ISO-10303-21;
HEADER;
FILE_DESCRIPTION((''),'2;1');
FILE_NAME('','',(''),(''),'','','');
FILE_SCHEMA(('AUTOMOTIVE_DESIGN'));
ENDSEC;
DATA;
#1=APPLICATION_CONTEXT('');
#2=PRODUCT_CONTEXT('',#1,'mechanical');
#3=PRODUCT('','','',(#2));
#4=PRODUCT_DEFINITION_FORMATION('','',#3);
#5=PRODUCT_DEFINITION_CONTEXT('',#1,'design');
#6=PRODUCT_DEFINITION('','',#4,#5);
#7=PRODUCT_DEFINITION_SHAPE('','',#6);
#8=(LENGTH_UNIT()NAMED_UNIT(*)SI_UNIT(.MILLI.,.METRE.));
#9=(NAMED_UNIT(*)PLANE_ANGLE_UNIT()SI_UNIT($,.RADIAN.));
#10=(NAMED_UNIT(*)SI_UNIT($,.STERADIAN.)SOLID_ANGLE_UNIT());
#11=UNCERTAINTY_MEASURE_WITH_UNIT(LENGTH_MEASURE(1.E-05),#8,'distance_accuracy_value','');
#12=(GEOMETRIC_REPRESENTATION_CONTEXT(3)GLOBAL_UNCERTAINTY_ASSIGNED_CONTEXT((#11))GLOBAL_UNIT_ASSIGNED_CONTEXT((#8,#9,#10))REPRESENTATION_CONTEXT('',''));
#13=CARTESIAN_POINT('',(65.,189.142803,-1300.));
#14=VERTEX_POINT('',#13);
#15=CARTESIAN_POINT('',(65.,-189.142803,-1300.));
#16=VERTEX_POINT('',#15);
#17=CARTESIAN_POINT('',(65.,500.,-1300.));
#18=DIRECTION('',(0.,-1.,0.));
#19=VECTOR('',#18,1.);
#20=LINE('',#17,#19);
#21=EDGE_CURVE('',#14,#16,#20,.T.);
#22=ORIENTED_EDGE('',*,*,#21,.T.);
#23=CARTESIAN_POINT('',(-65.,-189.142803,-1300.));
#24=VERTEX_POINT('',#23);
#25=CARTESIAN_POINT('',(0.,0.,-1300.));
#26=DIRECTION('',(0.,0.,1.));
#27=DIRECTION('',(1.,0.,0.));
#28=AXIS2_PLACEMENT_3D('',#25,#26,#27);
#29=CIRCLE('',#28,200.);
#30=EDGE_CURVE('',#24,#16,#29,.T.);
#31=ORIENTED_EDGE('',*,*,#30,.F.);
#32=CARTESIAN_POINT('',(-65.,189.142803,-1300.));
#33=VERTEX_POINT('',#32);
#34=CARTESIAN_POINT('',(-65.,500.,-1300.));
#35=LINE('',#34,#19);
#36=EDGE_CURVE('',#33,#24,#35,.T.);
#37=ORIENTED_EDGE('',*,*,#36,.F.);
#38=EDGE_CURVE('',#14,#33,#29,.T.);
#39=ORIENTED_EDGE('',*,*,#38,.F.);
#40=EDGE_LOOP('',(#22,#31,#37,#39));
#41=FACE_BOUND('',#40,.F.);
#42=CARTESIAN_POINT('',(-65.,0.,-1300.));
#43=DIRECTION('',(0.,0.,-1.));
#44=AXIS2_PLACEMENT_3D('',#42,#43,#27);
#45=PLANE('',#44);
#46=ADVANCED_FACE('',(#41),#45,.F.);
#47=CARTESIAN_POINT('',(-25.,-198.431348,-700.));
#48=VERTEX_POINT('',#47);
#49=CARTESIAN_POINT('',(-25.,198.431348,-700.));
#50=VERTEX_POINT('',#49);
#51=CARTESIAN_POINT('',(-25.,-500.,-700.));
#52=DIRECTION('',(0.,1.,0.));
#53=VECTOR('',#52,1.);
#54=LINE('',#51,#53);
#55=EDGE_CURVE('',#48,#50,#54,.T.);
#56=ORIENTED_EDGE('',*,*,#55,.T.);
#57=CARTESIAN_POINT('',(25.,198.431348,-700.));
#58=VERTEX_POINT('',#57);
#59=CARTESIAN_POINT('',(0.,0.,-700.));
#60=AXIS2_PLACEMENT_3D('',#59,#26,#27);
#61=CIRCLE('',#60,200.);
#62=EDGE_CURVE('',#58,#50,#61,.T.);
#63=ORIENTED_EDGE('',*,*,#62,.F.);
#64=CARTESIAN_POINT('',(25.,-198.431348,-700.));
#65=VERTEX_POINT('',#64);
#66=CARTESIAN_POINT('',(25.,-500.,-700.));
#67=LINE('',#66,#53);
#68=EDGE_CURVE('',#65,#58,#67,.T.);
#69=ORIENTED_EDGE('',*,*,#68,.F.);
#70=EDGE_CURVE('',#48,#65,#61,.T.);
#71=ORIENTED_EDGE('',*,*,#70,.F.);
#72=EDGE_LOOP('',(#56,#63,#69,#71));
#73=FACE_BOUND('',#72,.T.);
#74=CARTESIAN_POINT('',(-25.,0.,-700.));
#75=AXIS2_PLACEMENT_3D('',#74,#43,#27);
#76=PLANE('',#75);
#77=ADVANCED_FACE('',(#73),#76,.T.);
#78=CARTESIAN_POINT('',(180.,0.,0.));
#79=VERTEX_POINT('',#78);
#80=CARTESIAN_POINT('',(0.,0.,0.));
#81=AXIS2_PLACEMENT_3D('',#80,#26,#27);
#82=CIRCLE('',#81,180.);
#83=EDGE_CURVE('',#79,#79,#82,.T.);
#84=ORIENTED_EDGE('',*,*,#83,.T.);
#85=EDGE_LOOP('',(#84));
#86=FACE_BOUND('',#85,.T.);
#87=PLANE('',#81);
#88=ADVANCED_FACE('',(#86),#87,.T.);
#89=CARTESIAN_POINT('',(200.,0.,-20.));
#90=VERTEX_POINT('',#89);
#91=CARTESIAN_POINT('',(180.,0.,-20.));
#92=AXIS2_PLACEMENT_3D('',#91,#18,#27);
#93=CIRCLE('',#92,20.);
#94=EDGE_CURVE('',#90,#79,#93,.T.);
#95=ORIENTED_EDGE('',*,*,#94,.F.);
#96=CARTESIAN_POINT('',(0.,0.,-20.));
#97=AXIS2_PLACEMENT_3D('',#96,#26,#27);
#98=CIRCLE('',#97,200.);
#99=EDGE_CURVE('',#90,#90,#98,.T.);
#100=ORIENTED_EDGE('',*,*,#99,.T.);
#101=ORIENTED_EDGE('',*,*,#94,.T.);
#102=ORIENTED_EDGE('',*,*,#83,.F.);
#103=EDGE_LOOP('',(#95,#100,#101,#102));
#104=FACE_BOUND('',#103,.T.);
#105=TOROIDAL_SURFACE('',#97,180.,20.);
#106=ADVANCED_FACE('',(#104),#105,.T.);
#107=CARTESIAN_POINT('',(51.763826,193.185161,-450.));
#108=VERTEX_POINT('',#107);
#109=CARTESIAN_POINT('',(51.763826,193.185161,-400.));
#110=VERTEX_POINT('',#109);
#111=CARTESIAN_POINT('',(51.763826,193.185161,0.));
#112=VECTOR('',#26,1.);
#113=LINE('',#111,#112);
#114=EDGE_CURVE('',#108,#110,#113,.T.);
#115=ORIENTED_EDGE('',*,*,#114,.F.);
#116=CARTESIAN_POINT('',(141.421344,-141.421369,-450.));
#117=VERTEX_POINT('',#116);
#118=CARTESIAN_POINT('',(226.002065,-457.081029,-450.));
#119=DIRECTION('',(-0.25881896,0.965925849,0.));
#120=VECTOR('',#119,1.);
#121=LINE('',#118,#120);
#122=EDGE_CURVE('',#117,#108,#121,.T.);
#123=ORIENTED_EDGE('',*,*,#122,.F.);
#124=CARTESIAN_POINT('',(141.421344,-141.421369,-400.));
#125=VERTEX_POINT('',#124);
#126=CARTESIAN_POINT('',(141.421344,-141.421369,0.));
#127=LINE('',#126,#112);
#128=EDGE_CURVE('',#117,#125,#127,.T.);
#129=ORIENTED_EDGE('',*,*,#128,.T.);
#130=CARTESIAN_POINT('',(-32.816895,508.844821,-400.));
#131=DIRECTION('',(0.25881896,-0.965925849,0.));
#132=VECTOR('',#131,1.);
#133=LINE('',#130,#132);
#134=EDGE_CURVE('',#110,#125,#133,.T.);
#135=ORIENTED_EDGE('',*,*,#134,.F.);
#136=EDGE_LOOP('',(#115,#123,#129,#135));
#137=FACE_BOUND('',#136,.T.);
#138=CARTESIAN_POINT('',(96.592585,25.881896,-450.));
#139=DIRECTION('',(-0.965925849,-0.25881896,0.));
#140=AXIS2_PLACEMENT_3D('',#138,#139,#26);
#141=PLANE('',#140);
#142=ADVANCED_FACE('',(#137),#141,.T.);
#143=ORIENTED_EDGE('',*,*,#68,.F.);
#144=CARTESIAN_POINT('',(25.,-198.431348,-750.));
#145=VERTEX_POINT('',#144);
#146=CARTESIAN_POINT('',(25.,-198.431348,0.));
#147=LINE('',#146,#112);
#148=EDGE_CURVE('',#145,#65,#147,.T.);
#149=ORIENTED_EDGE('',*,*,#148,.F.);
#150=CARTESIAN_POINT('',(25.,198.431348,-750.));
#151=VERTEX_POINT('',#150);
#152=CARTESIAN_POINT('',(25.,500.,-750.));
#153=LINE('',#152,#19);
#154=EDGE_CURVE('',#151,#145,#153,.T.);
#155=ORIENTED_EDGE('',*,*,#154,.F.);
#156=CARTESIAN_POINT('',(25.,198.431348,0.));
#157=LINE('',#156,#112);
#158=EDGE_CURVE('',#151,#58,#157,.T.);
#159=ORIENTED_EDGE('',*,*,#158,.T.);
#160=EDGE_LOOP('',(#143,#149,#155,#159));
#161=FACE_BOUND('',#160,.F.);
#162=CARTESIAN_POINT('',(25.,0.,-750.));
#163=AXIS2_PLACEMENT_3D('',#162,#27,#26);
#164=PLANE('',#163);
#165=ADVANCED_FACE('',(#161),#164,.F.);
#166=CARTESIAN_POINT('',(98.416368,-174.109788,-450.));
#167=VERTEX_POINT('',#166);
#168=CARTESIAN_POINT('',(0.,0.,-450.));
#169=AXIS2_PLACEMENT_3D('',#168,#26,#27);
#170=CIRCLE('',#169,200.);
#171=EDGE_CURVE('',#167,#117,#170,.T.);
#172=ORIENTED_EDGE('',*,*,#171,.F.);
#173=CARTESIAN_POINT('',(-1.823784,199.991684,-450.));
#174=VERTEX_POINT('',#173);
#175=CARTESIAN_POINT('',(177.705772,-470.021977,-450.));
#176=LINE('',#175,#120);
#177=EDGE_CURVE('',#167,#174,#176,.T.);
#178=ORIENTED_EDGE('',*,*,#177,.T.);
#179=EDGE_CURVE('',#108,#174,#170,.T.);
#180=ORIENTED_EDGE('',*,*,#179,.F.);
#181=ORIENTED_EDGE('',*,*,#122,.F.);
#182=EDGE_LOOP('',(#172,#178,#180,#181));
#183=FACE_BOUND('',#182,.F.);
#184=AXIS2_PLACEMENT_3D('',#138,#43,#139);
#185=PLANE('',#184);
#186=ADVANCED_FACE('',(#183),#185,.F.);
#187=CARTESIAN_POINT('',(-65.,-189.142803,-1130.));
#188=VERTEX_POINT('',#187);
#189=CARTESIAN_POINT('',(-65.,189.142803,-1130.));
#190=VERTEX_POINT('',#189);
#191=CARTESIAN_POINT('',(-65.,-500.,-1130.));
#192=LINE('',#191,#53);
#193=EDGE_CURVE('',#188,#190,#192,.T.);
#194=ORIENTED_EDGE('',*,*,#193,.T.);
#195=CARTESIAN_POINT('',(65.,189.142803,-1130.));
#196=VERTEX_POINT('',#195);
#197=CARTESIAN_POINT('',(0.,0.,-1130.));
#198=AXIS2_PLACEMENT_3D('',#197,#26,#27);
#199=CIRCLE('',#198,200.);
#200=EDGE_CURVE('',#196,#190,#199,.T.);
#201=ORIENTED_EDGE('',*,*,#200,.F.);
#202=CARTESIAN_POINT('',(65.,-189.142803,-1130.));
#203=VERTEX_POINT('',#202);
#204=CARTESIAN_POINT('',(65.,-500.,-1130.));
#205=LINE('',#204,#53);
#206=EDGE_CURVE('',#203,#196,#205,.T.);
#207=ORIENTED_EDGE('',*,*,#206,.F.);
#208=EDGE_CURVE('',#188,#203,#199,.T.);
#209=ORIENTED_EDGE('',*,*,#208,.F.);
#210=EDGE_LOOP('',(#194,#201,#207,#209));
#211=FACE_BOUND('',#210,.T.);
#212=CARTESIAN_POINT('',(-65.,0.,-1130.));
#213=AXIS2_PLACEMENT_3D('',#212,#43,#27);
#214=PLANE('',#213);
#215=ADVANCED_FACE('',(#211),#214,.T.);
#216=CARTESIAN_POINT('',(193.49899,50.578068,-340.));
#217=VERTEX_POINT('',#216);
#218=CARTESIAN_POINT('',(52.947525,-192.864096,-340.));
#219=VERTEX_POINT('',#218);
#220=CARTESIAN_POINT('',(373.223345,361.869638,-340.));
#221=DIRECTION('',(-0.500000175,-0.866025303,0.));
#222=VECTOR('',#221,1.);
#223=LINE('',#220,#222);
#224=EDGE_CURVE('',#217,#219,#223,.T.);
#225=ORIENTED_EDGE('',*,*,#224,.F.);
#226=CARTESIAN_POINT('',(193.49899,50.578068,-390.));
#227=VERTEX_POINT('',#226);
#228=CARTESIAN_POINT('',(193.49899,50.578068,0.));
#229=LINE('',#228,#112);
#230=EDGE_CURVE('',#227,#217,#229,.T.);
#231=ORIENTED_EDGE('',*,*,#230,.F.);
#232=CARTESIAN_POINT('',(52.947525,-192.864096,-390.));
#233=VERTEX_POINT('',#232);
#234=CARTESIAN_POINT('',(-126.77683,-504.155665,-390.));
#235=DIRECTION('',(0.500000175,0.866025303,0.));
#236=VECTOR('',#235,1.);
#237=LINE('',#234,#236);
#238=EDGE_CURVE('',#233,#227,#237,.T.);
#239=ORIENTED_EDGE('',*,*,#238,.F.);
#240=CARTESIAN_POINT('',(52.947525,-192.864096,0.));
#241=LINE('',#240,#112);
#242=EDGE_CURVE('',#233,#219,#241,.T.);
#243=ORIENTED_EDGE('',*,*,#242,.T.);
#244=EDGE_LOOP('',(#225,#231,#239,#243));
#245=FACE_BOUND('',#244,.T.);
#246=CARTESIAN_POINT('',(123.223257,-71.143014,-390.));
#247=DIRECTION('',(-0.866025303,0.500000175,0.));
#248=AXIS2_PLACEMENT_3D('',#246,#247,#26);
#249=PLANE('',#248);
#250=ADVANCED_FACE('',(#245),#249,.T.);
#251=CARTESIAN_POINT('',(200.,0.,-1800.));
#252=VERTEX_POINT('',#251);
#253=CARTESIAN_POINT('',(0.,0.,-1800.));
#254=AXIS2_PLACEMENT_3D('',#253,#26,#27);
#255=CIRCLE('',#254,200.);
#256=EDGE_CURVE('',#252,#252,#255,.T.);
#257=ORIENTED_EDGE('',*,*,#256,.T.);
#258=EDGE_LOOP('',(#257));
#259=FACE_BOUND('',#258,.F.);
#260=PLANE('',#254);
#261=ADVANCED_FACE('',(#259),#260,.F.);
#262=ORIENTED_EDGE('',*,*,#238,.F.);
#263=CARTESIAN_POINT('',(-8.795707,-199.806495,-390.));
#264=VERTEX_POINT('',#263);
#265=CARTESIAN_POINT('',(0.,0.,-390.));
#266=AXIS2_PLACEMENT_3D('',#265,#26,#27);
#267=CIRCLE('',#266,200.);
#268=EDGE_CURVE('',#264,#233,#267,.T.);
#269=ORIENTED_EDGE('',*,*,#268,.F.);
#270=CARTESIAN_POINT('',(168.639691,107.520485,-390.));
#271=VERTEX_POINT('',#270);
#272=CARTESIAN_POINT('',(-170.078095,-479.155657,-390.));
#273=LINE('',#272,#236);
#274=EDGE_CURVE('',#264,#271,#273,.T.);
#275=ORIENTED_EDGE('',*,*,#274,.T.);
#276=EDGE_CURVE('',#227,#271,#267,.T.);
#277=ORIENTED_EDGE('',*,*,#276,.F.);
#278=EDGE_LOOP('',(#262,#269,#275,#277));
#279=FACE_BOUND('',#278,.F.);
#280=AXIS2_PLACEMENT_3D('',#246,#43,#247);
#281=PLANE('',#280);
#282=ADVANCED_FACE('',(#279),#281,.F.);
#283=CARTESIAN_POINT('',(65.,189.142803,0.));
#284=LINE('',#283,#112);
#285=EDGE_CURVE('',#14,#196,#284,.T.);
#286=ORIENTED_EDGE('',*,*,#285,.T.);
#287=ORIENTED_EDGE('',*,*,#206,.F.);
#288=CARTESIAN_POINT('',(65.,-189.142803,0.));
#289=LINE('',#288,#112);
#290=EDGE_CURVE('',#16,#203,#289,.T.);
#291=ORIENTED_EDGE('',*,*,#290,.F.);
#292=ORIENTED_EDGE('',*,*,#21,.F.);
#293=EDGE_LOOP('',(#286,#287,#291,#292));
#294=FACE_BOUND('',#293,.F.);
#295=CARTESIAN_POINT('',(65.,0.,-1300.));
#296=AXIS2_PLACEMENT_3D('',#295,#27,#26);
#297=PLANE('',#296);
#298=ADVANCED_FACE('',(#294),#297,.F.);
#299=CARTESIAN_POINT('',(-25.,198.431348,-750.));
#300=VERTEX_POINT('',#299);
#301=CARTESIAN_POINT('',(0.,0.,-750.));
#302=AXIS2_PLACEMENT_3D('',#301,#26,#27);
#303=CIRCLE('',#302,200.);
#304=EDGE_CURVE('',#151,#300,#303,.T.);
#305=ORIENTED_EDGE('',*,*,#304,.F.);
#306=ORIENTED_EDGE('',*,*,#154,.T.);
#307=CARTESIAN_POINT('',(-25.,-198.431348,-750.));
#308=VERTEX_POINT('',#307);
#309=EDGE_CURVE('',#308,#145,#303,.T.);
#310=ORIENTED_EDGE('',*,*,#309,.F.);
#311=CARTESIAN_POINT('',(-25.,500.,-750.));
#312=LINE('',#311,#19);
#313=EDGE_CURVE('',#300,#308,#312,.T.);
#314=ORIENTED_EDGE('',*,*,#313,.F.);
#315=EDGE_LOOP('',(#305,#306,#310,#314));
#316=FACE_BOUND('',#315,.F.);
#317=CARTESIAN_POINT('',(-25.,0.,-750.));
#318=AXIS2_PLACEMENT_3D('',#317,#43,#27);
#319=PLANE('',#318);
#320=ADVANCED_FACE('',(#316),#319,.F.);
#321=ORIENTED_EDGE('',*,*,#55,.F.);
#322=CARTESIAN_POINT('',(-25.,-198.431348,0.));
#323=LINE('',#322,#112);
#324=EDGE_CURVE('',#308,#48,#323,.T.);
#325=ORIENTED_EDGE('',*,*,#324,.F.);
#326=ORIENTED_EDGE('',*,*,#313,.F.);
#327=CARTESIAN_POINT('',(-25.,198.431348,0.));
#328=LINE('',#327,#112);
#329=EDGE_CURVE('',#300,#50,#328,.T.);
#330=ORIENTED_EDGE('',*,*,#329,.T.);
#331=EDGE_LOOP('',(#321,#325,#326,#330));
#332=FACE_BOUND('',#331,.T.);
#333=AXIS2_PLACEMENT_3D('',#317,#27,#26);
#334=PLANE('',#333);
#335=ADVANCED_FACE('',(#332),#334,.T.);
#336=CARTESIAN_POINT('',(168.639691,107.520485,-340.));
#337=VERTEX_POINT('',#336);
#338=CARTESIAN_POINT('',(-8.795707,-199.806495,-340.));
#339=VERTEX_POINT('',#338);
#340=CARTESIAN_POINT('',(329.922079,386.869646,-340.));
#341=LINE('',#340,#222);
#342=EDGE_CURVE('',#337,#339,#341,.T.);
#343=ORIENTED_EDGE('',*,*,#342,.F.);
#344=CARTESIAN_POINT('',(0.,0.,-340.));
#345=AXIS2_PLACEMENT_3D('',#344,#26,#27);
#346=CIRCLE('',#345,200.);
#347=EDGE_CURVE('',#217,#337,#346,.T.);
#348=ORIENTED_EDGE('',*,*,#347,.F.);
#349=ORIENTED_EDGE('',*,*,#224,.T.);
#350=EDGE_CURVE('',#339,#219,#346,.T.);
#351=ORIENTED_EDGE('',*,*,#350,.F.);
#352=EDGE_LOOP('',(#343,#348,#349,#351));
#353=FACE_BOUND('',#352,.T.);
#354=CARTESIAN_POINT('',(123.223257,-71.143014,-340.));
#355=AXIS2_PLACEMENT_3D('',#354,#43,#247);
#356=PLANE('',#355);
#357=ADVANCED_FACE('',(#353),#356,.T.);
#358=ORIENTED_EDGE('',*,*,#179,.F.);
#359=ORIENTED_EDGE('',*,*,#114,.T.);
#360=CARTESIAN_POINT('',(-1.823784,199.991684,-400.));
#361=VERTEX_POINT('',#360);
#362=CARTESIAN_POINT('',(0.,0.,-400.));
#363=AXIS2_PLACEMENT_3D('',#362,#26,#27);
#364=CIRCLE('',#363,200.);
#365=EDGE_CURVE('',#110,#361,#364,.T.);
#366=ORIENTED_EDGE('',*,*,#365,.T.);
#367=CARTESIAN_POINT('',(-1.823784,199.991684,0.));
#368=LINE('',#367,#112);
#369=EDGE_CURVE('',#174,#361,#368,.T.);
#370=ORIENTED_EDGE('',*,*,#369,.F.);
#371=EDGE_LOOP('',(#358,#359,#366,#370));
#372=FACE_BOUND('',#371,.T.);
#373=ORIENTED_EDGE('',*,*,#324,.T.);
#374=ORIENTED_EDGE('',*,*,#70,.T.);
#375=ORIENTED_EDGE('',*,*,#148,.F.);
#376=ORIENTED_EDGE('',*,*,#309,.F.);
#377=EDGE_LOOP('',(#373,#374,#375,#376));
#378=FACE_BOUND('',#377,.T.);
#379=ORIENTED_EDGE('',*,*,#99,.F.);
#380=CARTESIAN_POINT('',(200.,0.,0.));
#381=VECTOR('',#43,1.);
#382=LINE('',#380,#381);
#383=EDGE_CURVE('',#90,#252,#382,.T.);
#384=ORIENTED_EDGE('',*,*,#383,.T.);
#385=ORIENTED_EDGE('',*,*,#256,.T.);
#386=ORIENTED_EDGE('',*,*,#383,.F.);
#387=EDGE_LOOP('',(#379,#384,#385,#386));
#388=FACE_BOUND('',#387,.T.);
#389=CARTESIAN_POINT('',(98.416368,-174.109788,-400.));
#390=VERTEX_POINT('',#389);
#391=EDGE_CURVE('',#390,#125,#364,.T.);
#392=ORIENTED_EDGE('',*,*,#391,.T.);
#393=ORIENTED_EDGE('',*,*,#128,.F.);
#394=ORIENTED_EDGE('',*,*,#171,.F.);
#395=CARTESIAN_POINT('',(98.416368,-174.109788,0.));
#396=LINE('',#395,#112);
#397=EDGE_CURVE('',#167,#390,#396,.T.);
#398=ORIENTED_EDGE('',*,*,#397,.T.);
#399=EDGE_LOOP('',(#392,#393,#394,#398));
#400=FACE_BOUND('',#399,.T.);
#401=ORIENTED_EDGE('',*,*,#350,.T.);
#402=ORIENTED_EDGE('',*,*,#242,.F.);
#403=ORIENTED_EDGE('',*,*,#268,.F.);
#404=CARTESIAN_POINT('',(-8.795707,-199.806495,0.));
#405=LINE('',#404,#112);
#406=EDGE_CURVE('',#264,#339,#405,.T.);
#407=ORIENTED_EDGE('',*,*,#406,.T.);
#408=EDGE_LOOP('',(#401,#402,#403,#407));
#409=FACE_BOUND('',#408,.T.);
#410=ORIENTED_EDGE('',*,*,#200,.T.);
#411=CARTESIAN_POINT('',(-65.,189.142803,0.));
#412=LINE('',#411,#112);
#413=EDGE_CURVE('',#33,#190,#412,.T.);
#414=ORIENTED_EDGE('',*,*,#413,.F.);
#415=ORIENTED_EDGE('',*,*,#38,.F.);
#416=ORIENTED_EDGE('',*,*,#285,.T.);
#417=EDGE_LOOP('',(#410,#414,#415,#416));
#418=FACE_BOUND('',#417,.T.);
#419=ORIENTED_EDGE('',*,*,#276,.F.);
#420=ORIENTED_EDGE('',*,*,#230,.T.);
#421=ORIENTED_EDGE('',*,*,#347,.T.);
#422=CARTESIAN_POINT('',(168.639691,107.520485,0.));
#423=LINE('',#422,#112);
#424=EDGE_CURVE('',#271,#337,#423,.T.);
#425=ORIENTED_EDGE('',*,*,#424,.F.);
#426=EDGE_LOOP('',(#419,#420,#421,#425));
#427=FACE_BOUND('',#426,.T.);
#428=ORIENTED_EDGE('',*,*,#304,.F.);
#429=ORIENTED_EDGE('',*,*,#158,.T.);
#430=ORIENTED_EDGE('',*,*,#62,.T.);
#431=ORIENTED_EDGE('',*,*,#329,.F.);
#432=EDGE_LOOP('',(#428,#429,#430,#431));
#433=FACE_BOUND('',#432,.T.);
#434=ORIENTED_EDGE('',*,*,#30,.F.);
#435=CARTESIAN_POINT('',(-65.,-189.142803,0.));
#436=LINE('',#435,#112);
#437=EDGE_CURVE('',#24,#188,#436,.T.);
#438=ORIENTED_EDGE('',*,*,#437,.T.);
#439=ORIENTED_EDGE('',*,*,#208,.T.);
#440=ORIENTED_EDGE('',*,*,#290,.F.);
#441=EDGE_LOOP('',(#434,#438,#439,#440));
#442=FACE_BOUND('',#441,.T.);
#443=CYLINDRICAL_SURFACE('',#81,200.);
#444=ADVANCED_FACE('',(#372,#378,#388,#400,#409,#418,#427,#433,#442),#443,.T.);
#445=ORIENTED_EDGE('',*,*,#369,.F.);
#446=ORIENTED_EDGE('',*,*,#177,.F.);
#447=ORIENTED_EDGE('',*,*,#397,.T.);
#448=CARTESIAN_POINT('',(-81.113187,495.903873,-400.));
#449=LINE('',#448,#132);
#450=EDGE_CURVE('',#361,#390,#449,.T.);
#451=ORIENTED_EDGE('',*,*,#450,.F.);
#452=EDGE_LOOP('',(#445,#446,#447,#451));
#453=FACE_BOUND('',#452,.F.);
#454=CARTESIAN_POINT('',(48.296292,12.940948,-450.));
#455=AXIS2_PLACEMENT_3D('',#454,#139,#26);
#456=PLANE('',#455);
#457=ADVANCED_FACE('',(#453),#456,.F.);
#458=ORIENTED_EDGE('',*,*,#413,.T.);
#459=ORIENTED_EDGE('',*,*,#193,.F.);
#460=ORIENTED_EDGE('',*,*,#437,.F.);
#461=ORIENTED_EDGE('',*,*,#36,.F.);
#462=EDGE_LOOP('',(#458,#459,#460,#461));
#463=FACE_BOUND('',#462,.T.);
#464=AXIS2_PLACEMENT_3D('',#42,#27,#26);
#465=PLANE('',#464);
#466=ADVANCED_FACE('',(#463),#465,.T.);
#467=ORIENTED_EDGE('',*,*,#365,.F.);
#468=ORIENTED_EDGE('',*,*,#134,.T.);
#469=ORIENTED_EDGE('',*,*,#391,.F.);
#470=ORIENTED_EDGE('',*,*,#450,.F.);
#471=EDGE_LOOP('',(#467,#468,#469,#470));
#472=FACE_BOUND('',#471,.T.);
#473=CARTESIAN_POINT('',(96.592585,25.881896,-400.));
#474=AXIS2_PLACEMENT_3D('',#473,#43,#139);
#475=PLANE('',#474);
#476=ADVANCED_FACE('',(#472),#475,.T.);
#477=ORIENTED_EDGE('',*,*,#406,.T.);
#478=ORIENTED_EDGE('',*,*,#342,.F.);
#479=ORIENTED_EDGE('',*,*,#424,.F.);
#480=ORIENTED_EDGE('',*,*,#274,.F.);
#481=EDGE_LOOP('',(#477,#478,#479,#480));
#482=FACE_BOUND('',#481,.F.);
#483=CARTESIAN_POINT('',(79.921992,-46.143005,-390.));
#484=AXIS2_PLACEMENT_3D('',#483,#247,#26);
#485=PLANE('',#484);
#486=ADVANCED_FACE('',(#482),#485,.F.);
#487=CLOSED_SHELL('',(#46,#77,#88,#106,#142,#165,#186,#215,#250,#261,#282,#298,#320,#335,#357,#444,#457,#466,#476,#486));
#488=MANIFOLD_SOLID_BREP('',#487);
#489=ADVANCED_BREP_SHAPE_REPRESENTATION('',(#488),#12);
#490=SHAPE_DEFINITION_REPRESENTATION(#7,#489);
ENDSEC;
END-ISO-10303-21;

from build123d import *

# Parameters (mm, degrees)
F0_R      = 200
F1_DEPTH  = 1800
F2_W      = 130
F2_H      = 170
F3_DEPTH  = 500
F4_W      = 50
F4_H      = 50
F5_DEPTH  = 500
F8_W      = 50
F8_H      = 50
F9_DEPTH  = 500
F11_W     = 50
F11_H     = 50
F12_DEPTH = 500
F13_R     = 20


with BuildPart() as f1:
    # F0 (on Top) → F1 (new body)
    with BuildSketch(Plane.XY):
        Circle(F0_R)
    extrude(amount=-F1_DEPTH)

    # F2 (on Front) → F3 (cut, symmetric)
    with BuildSketch(Plane.XZ):
        with Locations((0, -1215)):
            Rectangle(F2_W, F2_H)
    extrude(amount=F3_DEPTH, both=True, mode=Mode.SUBTRACT)

    # F4 (on Front) → F5 (cut, symmetric)
    with BuildSketch(Plane.XZ):
        with Locations((0, -725)):
            Rectangle(F4_W, F4_H)
    extrude(amount=F5_DEPTH, both=True, mode=Mode.SUBTRACT)

    # F8 (on face) → F9 (cut, symmetric)
    with BuildSketch(Plane(origin=(0, 0, 0), x_dir=(-0.965926, -0.258819, 0), z_dir=(-0.258819, 0.965926, 0))):
        with Locations((-75, -425)):
            Rectangle(F8_W, F8_H)
    extrude(amount=F9_DEPTH, both=True, mode=Mode.SUBTRACT)

    # F11 (on face) → F12 (cut, symmetric)
    with BuildSketch(Plane(origin=(0, 0, 0), x_dir=(-0.866025, 0.5, 0), z_dir=(0.5, 0.866025, 0))):
        with Locations((-117.285978, -365)):
            Rectangle(F11_W, F11_H)
    extrude(amount=F12_DEPTH, both=True, mode=Mode.SUBTRACT)

    # F13
    f13_edges = [f1.edges().sort_by_distance(p)[0] for p in [
        (-200, 0, 0),
    ]]
    fillet(f13_edges, radius=F13_R)


solid = f1.part
